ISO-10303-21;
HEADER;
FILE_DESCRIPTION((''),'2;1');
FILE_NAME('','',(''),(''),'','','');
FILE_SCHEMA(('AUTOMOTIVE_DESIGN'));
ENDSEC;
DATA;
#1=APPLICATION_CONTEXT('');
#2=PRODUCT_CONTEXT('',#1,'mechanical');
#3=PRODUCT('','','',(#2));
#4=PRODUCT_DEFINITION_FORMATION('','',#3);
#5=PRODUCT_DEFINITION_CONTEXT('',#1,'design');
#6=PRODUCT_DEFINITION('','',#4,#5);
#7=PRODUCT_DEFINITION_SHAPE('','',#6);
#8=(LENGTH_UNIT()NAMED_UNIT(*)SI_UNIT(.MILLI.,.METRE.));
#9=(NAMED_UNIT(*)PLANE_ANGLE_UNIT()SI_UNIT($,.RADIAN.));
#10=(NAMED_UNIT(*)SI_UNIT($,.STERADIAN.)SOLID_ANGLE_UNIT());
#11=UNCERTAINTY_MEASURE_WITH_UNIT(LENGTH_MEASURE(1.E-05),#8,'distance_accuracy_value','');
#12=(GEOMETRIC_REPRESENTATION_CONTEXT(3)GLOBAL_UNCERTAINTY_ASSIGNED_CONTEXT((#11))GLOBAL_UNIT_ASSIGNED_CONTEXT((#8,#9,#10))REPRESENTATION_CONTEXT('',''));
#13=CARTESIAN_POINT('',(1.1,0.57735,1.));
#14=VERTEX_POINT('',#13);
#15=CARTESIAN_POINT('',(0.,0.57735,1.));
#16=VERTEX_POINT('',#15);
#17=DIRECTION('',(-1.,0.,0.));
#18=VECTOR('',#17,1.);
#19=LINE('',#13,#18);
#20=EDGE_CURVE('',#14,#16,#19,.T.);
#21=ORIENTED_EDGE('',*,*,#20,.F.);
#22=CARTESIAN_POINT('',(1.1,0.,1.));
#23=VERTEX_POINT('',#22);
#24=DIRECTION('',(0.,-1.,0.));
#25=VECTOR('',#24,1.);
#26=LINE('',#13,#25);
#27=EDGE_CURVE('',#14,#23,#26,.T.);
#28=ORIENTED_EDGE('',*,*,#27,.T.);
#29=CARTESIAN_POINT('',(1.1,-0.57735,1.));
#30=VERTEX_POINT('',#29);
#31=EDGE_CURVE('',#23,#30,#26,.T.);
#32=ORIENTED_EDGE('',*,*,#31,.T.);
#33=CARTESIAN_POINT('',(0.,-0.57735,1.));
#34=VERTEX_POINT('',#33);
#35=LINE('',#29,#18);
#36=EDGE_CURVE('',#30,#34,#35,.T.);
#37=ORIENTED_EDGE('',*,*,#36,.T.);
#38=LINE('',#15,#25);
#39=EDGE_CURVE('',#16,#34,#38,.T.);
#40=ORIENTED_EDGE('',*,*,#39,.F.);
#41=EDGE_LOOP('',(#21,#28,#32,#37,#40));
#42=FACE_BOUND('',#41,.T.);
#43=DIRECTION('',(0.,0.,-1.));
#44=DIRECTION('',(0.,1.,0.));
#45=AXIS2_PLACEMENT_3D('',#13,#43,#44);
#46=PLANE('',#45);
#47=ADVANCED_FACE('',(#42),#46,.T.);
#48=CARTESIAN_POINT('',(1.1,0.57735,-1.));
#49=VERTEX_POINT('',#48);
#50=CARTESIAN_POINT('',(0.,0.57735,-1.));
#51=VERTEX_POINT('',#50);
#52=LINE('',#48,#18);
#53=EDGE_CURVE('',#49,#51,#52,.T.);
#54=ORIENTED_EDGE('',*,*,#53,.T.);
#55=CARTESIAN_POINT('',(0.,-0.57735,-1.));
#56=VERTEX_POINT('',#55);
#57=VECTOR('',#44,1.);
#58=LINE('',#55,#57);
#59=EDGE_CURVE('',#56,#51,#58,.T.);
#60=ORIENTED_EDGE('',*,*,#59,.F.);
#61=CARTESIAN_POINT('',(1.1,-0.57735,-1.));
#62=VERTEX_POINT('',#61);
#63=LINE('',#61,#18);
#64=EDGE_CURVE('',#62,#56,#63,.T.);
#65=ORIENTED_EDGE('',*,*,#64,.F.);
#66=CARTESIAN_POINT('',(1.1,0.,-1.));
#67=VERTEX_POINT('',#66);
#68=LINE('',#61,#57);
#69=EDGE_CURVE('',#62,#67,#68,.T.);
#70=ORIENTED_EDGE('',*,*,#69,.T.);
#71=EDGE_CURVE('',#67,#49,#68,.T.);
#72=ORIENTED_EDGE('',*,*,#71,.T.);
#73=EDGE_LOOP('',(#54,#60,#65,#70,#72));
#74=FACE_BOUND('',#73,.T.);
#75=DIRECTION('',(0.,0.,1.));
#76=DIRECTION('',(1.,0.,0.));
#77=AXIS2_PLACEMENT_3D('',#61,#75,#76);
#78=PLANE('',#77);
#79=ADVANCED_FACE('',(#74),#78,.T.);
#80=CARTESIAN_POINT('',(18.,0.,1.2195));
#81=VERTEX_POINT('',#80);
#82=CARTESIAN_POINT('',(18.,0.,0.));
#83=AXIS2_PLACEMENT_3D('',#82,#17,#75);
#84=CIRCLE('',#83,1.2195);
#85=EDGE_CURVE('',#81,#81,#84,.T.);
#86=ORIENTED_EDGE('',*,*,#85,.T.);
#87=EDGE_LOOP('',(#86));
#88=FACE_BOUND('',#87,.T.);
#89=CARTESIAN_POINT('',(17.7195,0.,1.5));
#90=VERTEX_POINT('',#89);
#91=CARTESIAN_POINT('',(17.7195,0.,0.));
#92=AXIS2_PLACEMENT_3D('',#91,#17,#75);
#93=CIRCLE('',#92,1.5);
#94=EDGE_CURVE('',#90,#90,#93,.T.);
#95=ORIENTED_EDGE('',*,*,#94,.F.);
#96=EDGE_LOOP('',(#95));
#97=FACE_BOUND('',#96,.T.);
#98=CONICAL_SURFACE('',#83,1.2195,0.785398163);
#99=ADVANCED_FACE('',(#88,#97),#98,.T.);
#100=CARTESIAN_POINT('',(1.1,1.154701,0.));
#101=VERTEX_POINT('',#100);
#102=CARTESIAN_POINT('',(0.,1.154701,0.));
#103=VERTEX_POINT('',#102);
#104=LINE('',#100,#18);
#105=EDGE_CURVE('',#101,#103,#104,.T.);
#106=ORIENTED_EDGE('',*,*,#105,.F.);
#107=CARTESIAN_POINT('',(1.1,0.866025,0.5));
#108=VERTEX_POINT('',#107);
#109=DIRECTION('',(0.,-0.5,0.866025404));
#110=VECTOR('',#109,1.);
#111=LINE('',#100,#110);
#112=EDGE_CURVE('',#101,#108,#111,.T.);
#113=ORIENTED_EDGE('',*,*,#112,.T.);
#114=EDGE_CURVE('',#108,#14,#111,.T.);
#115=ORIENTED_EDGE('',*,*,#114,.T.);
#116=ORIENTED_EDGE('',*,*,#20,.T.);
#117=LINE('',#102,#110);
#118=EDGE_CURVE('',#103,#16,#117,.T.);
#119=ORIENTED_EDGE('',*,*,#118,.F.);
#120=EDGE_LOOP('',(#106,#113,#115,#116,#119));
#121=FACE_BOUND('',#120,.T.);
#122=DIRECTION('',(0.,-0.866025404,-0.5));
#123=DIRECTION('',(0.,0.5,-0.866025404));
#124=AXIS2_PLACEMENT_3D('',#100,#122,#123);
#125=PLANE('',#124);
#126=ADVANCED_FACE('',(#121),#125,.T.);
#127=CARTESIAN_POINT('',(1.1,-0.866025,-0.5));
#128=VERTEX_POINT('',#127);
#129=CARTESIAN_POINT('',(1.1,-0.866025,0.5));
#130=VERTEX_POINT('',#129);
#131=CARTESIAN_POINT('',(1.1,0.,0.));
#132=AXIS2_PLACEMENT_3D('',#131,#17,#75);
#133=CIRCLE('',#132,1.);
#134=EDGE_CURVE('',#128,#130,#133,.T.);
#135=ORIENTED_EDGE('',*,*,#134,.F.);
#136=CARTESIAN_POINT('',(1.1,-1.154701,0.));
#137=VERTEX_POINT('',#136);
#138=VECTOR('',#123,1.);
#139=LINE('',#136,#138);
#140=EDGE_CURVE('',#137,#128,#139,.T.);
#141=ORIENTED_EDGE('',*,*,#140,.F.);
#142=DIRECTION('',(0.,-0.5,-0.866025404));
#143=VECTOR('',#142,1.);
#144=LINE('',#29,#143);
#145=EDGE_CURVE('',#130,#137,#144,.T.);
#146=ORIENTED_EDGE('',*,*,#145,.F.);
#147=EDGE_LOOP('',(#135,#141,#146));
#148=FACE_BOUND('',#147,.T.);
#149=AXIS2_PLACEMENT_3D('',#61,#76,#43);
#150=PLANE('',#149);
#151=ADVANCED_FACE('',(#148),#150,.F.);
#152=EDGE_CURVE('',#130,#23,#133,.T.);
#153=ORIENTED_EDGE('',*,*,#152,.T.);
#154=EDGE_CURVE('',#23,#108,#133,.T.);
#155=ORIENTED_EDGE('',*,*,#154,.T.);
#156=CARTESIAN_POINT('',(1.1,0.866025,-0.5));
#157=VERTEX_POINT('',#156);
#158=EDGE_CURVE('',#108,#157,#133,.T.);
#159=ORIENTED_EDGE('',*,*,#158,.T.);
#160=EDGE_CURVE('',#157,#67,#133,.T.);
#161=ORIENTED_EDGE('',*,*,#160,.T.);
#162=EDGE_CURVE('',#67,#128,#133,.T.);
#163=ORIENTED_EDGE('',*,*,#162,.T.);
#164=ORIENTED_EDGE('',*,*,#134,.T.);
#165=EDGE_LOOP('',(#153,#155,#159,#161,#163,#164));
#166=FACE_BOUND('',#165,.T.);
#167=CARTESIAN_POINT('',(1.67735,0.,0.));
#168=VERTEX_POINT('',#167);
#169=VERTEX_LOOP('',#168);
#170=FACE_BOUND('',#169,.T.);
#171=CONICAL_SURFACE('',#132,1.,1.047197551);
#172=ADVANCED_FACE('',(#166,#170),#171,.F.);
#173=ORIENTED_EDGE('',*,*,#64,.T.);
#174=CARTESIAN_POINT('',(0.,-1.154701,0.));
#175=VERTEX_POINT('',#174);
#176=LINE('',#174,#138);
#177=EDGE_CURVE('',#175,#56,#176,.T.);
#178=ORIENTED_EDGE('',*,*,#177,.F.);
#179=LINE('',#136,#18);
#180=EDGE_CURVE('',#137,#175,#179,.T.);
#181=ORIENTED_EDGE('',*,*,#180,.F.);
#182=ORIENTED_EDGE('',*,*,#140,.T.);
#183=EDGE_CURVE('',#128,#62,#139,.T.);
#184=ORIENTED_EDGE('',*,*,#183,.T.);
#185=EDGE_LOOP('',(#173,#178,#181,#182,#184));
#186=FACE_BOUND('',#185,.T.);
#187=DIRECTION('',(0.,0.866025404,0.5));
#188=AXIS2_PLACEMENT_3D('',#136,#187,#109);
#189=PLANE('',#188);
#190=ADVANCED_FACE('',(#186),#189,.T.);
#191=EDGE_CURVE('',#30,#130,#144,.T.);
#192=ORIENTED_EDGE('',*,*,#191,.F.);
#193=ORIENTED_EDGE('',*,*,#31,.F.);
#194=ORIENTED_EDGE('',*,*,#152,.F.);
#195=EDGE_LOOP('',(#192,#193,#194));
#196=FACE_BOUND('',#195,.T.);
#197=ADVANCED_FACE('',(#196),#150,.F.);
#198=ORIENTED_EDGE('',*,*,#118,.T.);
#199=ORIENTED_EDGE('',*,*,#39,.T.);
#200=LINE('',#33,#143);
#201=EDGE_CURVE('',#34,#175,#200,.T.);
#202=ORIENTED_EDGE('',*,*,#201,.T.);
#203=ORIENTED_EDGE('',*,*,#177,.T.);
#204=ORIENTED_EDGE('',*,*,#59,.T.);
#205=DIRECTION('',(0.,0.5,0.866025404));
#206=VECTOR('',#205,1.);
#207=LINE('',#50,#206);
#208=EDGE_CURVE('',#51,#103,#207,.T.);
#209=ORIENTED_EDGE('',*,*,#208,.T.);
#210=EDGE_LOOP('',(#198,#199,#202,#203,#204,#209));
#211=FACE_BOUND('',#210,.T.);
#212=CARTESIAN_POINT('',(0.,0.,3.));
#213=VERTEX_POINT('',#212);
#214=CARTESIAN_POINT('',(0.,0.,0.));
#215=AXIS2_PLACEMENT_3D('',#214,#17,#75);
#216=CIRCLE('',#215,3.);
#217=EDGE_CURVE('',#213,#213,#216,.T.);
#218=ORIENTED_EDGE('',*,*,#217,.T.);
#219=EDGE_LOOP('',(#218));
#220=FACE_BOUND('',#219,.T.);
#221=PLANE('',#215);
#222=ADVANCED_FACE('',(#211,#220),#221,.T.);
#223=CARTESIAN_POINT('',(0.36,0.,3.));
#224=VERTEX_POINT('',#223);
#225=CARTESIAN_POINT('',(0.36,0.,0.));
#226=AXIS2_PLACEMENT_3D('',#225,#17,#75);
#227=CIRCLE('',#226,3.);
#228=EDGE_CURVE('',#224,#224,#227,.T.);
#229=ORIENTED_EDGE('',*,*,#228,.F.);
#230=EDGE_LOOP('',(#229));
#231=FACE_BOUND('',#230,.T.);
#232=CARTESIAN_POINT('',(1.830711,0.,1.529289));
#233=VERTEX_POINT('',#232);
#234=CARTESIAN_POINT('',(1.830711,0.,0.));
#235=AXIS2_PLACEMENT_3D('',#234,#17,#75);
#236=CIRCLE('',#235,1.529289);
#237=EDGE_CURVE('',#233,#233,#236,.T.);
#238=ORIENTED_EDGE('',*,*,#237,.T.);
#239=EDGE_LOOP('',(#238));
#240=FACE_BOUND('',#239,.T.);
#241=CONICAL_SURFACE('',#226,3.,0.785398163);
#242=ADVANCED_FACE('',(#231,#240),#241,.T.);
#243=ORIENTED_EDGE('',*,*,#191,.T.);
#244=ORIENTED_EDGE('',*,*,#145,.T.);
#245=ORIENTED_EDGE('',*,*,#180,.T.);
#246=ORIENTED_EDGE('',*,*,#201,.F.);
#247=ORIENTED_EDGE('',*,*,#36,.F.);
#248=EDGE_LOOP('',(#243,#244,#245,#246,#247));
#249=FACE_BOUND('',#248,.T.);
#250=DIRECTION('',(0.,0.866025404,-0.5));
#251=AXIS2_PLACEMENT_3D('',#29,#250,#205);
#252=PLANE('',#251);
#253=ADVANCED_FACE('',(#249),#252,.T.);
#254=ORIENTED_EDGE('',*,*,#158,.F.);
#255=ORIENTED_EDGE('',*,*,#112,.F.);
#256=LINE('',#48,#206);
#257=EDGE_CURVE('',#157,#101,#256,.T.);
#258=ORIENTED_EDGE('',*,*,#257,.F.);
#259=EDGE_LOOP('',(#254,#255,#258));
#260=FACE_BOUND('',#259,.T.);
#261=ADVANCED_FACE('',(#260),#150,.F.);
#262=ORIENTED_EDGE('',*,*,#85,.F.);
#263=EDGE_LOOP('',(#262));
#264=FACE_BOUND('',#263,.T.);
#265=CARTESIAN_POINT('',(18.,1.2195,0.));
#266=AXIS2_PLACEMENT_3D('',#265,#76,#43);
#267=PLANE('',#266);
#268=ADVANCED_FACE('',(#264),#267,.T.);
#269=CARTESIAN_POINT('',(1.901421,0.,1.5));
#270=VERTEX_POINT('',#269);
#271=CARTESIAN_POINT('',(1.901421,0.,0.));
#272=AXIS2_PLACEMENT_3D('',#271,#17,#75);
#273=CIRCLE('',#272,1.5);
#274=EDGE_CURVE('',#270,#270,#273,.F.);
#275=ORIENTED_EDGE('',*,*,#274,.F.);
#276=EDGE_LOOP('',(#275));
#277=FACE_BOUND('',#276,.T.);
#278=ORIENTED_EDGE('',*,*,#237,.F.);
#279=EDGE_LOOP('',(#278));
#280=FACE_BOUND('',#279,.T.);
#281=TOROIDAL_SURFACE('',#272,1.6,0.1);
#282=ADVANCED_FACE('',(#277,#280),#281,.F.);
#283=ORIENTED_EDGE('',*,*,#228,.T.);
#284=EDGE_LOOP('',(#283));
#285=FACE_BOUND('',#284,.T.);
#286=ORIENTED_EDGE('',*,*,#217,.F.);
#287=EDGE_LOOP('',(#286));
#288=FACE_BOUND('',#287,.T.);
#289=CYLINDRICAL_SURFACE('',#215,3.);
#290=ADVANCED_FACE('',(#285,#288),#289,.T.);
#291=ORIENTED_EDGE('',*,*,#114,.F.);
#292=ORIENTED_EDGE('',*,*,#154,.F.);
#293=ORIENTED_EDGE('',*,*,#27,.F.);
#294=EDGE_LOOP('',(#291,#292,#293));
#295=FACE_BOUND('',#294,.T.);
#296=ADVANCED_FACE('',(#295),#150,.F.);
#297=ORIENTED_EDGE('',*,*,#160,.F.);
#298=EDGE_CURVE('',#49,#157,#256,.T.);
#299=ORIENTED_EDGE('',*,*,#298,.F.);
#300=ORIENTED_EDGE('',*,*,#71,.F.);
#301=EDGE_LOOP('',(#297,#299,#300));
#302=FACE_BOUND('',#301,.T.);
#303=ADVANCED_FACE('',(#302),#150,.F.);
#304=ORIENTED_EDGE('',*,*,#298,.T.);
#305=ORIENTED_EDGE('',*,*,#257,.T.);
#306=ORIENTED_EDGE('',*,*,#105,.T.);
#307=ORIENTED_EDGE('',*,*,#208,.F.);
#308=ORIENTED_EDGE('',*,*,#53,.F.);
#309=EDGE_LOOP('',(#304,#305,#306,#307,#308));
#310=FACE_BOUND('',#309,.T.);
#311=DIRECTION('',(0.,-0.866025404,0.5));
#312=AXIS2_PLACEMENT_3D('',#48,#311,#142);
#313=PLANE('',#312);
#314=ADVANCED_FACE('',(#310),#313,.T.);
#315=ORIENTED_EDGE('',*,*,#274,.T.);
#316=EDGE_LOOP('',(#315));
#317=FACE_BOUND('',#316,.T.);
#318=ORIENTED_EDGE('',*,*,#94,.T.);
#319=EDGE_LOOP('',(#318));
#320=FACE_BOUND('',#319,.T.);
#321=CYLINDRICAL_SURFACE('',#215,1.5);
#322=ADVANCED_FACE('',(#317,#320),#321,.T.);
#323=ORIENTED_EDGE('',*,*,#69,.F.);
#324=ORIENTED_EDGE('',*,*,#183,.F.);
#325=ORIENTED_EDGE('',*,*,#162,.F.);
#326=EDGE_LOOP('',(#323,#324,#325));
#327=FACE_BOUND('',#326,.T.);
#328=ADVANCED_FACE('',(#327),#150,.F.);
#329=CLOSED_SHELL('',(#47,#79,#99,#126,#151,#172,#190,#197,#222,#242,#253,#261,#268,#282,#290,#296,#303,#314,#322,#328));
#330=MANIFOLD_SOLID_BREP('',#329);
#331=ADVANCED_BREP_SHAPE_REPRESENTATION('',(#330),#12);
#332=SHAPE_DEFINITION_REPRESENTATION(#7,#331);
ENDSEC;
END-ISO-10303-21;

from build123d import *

# Parameters (mm, degrees)
FILLET1_R   = 0.1
HEX_2_DEPTH = 1.1


with BuildPart() as part:
    # BodySke → BaseBody (revolve)
    with BuildSketch(Plane.XY, mode=Mode.PRIVATE) as basebody_sk:
        Polygon((0, 0), (0, 3), (0.36, 3), (1.86, 1.5), (17.7195, 1.5), (18, 1.2195), (18, 0), align=None)
    revolve(basebody_sk.sketch.rotate(Axis((0, 0, 0), (1, 0, 0)), 90), axis=Axis((0, 0, 0), (1, 0, 0)))

    # Fillet1
    fillet1_edges = [part.edges().sort_by_distance(p)[0] for p in [
        (1.86, 0, -1.5),
    ]]
    fillet(fillet1_edges, radius=FILLET1_R)

    # Sketch2 → PreBroach (revolve, cut)
    with BuildSketch(Plane.XY, mode=Mode.PRIVATE) as prebroach_sk:
        Polygon((0, 1), (1.1, 1), (1.677350269, 0), (0, 0), align=None)
    revolve(prebroach_sk.sketch.rotate(Axis((0, 0, 0), (1, 0, 0)), 90), axis=Axis((0, 0, 0), (1, 0, 0)), mode=Mode.SUBTRACT)

    # Sketch3 → Hex 2 (cut)
    with BuildSketch(Plane.ZY):
        Polygon((-1, -0.577350269), (-1, 0.577350269), (0, 1.154700538), (1, 0.577350269), (1, -0.577350269), (0, -1.154700538), align=None)
    extrude(amount=-HEX_2_DEPTH, mode=Mode.SUBTRACT)


solid = part.part
